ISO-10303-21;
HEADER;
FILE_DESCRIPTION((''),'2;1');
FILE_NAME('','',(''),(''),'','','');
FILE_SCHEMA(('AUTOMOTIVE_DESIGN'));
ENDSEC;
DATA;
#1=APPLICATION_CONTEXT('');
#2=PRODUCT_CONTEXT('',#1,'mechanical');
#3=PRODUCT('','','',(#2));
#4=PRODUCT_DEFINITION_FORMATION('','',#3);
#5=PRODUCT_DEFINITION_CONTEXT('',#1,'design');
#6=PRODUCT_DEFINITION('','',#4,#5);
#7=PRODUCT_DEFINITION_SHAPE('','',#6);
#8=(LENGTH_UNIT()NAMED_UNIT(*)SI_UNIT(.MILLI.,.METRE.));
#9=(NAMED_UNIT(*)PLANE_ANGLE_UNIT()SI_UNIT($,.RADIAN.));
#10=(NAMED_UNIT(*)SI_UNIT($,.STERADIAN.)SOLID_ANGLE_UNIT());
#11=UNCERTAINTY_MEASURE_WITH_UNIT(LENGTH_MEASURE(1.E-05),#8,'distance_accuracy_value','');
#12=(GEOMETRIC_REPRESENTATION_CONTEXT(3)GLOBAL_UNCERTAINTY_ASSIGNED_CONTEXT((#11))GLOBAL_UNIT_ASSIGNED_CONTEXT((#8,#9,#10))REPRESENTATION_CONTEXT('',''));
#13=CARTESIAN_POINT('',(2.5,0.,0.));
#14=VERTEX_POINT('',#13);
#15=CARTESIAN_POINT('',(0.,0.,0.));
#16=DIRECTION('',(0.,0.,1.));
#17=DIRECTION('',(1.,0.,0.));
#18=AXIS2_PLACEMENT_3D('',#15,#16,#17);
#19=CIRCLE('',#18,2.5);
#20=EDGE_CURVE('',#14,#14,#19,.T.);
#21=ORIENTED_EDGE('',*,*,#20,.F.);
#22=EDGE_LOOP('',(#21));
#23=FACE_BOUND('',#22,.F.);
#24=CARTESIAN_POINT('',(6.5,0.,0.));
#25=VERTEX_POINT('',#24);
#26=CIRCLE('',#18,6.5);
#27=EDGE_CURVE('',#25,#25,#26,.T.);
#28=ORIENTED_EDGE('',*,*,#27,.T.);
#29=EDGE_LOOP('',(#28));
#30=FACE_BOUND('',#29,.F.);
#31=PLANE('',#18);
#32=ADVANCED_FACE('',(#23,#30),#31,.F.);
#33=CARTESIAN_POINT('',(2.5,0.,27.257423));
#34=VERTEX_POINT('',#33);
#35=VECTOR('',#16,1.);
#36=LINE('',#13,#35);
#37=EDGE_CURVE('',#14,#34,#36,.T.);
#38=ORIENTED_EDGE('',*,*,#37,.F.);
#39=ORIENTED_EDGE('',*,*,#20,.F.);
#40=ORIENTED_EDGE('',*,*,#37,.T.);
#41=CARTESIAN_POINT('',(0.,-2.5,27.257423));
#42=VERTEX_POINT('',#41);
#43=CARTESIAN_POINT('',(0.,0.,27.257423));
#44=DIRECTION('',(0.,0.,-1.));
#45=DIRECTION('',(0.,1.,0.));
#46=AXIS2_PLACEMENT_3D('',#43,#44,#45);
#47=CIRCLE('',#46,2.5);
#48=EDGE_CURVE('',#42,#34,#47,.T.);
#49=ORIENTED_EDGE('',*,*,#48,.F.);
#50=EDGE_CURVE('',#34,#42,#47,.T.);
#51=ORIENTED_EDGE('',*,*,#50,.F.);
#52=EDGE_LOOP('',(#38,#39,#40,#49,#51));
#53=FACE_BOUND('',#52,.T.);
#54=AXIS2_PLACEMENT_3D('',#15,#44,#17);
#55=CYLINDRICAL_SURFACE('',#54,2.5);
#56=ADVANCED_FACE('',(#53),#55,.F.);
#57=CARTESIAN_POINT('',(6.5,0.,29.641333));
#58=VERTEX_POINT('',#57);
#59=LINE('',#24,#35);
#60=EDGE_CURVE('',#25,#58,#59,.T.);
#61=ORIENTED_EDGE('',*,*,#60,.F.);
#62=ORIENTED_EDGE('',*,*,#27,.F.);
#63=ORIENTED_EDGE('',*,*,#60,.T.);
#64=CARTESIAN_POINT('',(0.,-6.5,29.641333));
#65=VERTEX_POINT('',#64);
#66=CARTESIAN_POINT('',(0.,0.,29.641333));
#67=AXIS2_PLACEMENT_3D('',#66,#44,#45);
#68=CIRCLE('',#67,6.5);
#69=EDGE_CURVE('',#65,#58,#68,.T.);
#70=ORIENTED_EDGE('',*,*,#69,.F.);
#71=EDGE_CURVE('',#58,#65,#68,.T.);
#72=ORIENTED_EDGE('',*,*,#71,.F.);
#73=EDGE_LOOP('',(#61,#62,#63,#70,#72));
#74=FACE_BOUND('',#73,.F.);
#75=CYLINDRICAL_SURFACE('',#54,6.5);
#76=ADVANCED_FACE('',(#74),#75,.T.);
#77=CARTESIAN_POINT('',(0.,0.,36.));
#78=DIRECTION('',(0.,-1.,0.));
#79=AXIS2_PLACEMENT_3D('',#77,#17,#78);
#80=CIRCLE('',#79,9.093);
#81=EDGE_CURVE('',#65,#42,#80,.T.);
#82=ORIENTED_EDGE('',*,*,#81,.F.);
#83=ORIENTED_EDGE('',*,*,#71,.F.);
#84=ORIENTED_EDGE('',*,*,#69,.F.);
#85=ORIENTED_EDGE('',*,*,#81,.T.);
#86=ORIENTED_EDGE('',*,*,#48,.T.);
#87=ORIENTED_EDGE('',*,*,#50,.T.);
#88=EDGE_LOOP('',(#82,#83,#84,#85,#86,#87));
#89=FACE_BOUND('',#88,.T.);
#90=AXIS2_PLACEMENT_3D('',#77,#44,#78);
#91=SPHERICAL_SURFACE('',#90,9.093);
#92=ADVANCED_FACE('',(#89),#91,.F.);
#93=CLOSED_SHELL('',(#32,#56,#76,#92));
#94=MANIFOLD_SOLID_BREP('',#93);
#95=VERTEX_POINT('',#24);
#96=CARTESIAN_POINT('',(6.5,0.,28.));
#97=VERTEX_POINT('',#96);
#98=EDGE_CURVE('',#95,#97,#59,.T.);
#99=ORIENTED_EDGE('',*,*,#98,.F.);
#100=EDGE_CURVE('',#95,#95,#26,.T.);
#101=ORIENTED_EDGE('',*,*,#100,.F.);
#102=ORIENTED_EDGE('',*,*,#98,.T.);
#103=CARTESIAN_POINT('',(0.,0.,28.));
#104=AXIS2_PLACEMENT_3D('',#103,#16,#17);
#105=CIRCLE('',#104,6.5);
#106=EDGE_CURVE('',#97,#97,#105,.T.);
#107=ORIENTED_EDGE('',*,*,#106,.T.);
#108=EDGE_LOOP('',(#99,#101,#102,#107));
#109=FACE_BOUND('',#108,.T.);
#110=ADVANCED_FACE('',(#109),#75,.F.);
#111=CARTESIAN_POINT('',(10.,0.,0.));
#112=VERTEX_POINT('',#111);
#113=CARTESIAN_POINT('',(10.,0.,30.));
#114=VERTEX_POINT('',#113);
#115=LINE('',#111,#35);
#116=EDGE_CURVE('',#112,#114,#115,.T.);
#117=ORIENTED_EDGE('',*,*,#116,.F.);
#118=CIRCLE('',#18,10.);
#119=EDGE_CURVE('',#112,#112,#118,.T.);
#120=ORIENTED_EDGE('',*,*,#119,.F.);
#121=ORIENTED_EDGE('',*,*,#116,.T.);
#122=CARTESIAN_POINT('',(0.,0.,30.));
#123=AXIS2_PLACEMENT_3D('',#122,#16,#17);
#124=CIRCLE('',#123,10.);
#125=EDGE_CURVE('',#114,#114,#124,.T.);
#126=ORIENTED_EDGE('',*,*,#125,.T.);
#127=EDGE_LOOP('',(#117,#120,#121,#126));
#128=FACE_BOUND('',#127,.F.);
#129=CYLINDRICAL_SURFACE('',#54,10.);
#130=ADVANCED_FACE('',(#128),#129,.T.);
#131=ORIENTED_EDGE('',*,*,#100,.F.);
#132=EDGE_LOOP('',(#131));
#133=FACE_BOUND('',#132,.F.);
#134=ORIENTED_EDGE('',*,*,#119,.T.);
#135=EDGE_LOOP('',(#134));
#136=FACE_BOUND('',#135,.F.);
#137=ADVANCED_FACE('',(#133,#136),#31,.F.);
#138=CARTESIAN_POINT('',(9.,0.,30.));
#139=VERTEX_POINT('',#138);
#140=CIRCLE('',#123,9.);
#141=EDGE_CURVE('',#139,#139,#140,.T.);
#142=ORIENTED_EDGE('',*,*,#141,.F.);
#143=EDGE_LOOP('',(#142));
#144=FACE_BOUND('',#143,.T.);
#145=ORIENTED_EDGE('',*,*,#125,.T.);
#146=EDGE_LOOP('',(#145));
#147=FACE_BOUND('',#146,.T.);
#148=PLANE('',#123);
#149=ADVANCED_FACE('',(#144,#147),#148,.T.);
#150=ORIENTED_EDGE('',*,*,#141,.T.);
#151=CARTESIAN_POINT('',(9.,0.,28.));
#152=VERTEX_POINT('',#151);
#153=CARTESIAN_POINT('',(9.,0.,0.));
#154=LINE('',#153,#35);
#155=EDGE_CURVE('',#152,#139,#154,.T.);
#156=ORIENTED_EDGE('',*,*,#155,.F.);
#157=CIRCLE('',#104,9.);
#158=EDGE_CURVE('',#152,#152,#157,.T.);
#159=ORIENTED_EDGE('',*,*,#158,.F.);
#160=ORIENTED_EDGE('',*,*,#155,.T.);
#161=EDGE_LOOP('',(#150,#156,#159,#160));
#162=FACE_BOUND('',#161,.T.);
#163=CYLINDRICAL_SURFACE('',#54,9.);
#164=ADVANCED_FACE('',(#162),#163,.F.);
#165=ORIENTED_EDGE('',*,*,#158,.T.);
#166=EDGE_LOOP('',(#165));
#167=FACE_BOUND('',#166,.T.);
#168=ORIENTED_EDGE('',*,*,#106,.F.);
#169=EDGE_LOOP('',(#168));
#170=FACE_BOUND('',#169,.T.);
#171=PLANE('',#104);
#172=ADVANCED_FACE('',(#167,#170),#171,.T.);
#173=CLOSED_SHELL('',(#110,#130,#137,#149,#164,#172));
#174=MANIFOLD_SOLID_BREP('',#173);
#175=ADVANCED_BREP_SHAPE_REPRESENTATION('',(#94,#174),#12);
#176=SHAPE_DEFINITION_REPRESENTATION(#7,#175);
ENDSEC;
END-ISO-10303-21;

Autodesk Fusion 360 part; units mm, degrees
sketch "Sketch1" plane through (0, 0, 0) normal (0, 0, 1) x (1, 0, 0)
  circle A0 centre (0, 0) radius 10
  circle A1 centre (0, 0) radius 9
  circle A2 centre (0, 0) radius 6.5
  circle A3 centre (0, 0) radius 2.5
  dimension "d1" = 20
  dimension "d2" = 18
  dimension "d3" = 13
  dimension "d8" = 5
extrude "Extrude1" add sketch "Sketch1" along normal blind 30 makes body 1 at (9.9503, -0.9957, 20) makes body 2 at (6.4677, -0.6472, 20)
extrude "Extrude2" add sketch "Sketch1" along normal blind 28 contours A1 bodies 1
sketch "Sketch2" plane through (0, 0, 0) normal (1, 0, 0) x (0, 0, -1)
  circle A0 centre (-30, 7.5) radius 1.5
  arc A1 (-36, -9.093) -> (-26.907, 0) centre (-36, 0) ccw
  line L0 (-1.75, 0) -> (-22.5, 0)
  line L1 (-26.907, 0) -> (-36, 0)
  line L2 (-36, 0) -> (-36, -9.093)
  dimension "d10" = 3
  dimension "d11" = 7.5
  dimension "d13" = 36
revolve "Revolve1" cut sketch "Sketch2" angle 360 about axis through (0, 0, 1.75) along (0, 0, 1) contours A1 L1 L2 bodies 2
equation "d8 = stepperaxis"
equation "stepperaxis = 5 mm"
